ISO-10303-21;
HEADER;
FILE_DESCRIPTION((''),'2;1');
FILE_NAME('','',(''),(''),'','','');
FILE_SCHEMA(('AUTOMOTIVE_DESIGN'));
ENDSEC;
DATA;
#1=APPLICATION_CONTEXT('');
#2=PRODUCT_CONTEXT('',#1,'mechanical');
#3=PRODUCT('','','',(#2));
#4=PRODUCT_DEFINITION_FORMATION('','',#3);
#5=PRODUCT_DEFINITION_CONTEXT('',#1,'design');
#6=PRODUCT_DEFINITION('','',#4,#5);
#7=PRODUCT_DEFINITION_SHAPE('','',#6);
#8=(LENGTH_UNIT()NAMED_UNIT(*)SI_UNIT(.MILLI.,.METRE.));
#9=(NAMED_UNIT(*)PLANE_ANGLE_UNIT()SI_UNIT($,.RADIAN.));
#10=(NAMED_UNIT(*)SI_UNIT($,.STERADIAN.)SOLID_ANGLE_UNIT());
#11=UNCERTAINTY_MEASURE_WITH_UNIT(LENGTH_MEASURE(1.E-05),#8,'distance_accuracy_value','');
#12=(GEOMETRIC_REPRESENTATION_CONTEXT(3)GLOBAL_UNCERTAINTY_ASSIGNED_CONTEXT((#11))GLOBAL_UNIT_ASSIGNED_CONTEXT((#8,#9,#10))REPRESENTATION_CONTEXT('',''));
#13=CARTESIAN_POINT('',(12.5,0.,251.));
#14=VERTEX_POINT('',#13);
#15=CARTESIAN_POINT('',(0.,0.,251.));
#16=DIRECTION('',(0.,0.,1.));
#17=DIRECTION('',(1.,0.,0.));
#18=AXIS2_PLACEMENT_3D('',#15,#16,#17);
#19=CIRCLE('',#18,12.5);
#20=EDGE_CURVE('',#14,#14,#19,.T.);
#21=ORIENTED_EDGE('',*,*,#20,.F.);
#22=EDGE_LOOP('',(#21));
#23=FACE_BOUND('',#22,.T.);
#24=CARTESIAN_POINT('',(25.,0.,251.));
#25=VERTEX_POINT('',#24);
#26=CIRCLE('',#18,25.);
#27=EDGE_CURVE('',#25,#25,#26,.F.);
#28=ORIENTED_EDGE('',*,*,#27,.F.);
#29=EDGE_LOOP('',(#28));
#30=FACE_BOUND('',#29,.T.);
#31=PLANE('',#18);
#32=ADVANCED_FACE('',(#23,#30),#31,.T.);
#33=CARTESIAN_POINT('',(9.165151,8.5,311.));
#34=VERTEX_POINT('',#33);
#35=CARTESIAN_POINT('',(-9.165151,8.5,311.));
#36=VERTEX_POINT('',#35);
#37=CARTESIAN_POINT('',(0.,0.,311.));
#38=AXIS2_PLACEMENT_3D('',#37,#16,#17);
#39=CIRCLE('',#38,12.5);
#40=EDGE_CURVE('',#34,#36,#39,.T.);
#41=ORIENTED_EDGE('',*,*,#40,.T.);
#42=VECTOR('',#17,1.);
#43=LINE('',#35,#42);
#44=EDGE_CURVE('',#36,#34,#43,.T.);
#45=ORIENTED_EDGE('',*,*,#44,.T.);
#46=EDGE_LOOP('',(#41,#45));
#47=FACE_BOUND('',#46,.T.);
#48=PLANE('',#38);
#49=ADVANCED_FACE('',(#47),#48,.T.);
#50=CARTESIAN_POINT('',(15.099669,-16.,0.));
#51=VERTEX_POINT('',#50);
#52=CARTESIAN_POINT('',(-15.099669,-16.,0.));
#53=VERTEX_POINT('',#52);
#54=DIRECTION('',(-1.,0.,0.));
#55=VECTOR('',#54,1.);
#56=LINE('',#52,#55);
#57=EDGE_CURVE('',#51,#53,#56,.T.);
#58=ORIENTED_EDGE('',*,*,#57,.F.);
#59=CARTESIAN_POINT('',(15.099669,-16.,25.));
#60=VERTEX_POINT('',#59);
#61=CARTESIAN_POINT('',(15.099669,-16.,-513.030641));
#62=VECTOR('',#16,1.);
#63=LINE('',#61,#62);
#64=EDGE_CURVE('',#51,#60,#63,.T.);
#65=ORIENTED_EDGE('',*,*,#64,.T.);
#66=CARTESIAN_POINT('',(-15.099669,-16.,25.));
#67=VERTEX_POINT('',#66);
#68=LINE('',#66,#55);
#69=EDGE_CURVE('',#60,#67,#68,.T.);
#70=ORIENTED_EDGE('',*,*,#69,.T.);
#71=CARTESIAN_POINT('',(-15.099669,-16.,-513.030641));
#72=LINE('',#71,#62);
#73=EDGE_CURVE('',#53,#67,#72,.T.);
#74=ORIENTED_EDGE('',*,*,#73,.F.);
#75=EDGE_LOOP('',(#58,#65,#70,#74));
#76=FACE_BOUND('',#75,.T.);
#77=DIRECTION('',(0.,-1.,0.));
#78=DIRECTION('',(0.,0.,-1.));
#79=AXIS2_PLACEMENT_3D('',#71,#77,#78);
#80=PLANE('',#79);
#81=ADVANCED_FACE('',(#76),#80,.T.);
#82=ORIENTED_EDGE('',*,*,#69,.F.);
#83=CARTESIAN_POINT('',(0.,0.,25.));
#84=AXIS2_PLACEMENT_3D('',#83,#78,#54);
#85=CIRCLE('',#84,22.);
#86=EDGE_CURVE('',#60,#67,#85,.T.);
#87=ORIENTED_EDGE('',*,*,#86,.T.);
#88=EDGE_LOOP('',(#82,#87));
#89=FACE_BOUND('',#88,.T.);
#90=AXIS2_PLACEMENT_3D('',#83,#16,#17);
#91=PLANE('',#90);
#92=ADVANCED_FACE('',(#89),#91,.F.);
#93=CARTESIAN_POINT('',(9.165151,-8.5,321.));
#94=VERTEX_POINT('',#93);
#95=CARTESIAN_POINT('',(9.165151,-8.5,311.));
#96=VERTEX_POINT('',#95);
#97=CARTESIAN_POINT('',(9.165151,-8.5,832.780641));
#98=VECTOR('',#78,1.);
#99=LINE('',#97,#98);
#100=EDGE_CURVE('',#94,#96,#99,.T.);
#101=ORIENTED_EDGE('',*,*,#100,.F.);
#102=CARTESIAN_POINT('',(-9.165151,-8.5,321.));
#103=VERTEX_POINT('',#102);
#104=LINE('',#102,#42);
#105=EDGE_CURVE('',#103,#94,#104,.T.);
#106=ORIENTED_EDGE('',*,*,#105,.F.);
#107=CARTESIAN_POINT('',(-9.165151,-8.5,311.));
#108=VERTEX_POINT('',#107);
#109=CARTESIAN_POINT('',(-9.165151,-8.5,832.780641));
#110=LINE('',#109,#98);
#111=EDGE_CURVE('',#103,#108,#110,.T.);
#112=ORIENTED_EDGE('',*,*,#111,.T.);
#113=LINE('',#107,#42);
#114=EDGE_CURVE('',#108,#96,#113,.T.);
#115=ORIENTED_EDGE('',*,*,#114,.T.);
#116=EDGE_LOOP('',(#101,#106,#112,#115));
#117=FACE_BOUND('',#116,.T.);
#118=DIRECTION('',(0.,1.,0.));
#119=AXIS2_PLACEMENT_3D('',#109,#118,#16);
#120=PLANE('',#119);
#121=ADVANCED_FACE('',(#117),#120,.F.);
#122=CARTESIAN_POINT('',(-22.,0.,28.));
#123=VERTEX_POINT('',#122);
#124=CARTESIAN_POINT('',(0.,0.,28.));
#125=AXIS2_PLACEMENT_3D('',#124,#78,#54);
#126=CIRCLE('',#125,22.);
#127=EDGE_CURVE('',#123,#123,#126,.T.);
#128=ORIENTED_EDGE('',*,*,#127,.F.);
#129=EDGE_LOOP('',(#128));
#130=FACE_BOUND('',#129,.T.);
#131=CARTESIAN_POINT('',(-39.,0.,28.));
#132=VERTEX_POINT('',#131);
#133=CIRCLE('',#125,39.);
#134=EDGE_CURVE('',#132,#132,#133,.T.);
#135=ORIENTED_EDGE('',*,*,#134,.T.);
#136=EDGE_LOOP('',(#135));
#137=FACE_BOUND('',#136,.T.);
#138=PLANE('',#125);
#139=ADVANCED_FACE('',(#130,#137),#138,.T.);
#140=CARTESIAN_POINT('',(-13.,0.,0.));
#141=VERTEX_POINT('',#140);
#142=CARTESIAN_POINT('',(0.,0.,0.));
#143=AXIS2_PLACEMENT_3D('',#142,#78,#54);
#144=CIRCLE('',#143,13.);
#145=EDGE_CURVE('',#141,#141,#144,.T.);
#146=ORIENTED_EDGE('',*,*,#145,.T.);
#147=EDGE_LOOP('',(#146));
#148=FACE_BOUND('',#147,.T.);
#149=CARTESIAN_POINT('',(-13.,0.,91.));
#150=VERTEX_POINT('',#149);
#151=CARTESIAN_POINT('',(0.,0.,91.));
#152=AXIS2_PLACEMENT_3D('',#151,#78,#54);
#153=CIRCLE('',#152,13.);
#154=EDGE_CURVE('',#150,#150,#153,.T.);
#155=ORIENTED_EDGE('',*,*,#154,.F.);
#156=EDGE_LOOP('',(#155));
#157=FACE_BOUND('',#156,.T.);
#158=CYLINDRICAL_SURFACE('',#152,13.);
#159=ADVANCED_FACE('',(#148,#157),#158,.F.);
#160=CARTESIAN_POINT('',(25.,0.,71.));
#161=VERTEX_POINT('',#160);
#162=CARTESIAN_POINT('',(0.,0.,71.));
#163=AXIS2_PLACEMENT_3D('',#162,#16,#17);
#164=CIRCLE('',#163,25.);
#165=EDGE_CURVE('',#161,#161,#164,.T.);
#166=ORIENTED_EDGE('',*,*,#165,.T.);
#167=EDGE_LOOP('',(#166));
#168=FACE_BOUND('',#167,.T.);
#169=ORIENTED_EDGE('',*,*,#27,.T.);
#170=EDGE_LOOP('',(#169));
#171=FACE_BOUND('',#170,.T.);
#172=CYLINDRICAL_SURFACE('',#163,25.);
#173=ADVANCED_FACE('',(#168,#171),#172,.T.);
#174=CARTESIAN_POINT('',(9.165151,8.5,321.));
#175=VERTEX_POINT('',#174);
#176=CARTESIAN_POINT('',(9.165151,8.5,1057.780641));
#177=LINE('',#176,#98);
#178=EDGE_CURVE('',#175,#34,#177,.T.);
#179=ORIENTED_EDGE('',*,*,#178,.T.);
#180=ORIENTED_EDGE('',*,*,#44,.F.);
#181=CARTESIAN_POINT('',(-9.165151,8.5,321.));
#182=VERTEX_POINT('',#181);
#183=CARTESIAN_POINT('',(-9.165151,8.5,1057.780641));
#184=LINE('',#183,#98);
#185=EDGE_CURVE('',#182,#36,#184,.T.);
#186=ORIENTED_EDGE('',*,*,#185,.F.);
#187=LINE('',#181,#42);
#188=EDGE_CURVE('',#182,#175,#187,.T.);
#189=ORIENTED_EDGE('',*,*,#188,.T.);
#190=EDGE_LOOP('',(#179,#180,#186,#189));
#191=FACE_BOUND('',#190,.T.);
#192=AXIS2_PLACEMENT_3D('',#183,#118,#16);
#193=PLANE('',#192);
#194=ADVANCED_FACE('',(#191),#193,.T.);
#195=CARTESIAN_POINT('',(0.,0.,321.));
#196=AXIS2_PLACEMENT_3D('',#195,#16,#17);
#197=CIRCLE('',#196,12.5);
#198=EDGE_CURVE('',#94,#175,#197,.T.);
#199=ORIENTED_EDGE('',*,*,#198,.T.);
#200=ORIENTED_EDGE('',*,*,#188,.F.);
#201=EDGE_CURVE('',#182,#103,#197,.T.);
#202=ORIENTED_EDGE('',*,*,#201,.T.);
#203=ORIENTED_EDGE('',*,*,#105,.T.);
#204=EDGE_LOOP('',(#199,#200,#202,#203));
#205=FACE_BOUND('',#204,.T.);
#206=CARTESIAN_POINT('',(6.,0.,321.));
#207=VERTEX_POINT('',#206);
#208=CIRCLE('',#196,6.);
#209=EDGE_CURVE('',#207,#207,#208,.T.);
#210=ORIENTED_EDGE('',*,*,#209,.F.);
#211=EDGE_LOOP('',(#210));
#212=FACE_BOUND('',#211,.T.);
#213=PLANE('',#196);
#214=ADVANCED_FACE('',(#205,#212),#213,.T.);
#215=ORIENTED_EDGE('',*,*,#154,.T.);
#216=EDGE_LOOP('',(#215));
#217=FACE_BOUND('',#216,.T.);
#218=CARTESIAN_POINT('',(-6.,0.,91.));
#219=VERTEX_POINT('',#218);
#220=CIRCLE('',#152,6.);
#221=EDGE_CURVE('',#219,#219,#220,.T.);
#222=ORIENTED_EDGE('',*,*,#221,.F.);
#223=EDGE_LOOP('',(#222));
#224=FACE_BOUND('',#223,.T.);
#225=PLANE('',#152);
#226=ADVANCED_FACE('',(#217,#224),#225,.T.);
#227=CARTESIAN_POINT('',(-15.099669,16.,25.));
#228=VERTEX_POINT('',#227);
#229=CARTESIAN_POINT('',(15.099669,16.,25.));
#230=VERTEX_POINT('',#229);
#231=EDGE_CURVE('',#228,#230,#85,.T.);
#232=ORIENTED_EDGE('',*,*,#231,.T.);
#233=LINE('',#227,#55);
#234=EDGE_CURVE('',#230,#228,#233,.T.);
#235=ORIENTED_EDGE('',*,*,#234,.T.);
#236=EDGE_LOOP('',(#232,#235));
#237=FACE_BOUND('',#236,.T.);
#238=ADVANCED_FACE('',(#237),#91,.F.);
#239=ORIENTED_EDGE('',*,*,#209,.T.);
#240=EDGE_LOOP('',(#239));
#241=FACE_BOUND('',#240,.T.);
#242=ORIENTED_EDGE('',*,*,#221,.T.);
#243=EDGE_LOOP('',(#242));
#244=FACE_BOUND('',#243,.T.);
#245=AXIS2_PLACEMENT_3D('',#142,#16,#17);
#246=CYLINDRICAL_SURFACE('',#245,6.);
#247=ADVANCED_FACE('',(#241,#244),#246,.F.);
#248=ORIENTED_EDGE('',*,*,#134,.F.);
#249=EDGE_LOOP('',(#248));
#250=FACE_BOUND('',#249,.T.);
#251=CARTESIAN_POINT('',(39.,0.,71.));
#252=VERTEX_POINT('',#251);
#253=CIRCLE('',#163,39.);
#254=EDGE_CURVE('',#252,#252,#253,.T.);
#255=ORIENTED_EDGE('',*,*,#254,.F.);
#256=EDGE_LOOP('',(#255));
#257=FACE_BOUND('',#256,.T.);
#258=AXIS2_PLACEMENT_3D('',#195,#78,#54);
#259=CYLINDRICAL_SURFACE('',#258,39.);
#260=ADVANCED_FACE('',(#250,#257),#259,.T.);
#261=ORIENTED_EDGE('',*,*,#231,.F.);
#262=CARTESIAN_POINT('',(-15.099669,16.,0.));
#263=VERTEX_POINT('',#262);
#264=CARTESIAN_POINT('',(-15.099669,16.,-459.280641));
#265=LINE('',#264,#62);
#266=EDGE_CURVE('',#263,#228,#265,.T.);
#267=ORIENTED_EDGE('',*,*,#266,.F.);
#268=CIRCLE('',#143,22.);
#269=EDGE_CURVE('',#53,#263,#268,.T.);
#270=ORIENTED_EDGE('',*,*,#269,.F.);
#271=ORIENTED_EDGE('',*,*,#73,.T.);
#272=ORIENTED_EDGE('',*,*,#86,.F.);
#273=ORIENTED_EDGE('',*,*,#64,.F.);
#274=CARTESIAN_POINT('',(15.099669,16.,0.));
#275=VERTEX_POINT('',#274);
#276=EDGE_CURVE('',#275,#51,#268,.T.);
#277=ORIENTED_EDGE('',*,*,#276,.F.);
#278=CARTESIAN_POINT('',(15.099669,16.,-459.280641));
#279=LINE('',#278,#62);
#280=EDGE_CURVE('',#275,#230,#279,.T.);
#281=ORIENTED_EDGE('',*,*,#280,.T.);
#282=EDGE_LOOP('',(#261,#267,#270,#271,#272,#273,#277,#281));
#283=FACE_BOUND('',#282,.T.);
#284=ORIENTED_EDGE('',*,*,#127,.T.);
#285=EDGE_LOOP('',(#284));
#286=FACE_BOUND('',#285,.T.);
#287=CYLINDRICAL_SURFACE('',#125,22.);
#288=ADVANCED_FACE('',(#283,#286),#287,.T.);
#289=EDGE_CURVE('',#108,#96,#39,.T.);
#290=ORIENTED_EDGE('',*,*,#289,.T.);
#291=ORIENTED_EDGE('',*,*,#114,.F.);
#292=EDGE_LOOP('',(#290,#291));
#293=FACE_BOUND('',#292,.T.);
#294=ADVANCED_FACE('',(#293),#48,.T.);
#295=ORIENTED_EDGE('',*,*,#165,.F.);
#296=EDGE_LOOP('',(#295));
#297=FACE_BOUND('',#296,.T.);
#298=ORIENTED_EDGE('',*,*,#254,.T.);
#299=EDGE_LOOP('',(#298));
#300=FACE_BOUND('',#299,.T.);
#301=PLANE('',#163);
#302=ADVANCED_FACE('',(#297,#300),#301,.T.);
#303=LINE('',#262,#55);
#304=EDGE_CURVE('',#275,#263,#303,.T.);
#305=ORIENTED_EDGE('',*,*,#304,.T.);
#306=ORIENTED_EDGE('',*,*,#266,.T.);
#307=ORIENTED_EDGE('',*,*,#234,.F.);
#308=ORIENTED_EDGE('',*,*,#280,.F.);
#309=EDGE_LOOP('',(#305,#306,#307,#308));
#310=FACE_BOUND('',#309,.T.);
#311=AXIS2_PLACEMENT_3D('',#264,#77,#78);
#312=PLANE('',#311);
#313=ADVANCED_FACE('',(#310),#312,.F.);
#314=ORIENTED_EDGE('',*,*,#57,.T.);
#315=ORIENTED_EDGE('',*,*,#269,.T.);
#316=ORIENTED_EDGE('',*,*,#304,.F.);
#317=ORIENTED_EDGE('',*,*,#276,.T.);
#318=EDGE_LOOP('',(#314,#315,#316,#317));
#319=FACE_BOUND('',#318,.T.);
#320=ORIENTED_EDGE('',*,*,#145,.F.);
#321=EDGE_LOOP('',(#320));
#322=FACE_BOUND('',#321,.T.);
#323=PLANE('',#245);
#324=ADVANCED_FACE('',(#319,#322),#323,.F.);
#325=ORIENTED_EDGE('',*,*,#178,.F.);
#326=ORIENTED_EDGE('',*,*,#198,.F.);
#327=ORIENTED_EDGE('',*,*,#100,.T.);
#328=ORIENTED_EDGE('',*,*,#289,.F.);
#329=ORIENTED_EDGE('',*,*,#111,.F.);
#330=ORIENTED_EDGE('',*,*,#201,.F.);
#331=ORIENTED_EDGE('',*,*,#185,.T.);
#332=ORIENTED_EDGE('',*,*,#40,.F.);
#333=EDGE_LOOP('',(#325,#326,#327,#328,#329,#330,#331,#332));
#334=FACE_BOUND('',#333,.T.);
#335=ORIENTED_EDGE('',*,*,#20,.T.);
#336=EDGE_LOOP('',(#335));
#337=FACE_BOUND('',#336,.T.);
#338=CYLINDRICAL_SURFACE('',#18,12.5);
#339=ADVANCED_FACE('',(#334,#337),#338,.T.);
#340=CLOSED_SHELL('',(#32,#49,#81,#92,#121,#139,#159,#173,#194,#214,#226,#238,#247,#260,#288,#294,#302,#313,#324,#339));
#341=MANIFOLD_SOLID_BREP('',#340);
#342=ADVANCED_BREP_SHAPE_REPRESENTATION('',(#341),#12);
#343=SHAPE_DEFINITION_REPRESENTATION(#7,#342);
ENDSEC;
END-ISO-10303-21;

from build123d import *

# Parameters (mm, degrees)
SKETCH1_R               = 39
BOSS_EXTRUDE1_DEPTH     = 321
SKETCH2_OUTSIDE_W       = 147.884
SKETCH2_OUTSIDE_H       = 147.884
SKETCH2_OUTSIDE_R       = 25
CUT_EXTRUDE1_DEPTH      = 250
SKETCH3_OUTSIDE_W       = 147.884
SKETCH3_OUTSIDE_H       = 147.884
SKETCH3_OUTSIDE_R       = 22
CUT_EXTRUDE2_DEPTH      = 28
SKETCH4_R               = 13
CUT_EXTRUDE3_DEPTH      = 91
CUT_EXTRUDE4_DEPTH      = 326.703853216
CUT_EXTRUDE4_DEPTH_BACK = 25
CUT_EXTRUDE5_DEPTH      = 326.703853216
CUT_EXTRUDE5_DEPTH_BACK = 25
SKETCH7_OUTSIDE_W       = 147.884
SKETCH7_OUTSIDE_H       = 147.884
SKETCH7_OUTSIDE_R       = 12.5
CUT_EXTRUDE6_DEPTH      = 70
CUT_EXTRUDE7_DEPTH      = 326.703853216
CUT_EXTRUDE7_DEPTH_BACK = 10
CUT_EXTRUDE8_DEPTH      = 326.703853216
CUT_EXTRUDE8_DEPTH_BACK = 10
SKETCH10_R              = 6
CUT_EXTRUDE9_DEPTH      = 326.703853216


with BuildPart() as part:
    # Sketch1 → Boss-Extrude1 (new body)
    with BuildSketch(Plane.XY):
        Circle(SKETCH1_R)
    extrude(amount=BOSS_EXTRUDE1_DEPTH)

    # Sketch2 outside → Cut-Extrude1 (cut)
    with BuildSketch(Plane.XY.offset(321)):
        Rectangle(SKETCH2_OUTSIDE_W, SKETCH2_OUTSIDE_H)
        Circle(SKETCH2_OUTSIDE_R, mode=Mode.SUBTRACT)
    extrude(amount=-CUT_EXTRUDE1_DEPTH, mode=Mode.SUBTRACT)

    # Sketch3 outside → Cut-Extrude2 (cut)
    with BuildSketch(Plane(origin=(0, 0, 0), x_dir=(-1, 0, 0), z_dir=(0, 0, -1))):
        Rectangle(SKETCH3_OUTSIDE_W, SKETCH3_OUTSIDE_H)
        Circle(SKETCH3_OUTSIDE_R, mode=Mode.SUBTRACT)
    extrude(amount=-CUT_EXTRUDE2_DEPTH, mode=Mode.SUBTRACT)

    # Sketch4 → Cut-Extrude3 (cut)
    with BuildSketch(Plane(origin=(0, 0, 0), x_dir=(-1, 0, 0), z_dir=(0, 0, -1))):
        Circle(SKETCH4_R)
    extrude(amount=-CUT_EXTRUDE3_DEPTH, mode=Mode.SUBTRACT)

    # Sketch5 → Cut-Extrude4 (cut, two sides: drawn at the far end of the back side and taken through both)
    with BuildSketch(Plane(origin=(0, 0, 0), x_dir=(-1, 0, 0), z_dir=(0, 0, -1)).offset(-CUT_EXTRUDE4_DEPTH_BACK)):
        Polygon((179.395153858, -16), (15.099668871, -16), (-15.099668871, -16), (-179.395153858, -16), (-179.395153858, -344.590969976), (179.395153858, -344.590969976), align=None)
    extrude(amount=CUT_EXTRUDE4_DEPTH + CUT_EXTRUDE4_DEPTH_BACK, mode=Mode.SUBTRACT)

    # Sketch6 → Cut-Extrude5 (cut, two sides: drawn at the far end of the back side and taken through both)
    with BuildSketch(Plane(origin=(0, 0, 0), x_dir=(-1, 0, 0), z_dir=(0, 0, -1)).offset(-CUT_EXTRUDE5_DEPTH_BACK)):
        Polygon((179.395153858, 16), (15.099668871, 16), (-15.099668871, 16), (-179.395153858, 16), (-179.395153858, 344.590969976), (179.395153858, 344.590969976), align=None)
    extrude(amount=CUT_EXTRUDE5_DEPTH + CUT_EXTRUDE5_DEPTH_BACK, mode=Mode.SUBTRACT)

    # Sketch7 outside → Cut-Extrude6 (cut)
    with BuildSketch(Plane.XY.offset(321)):
        Rectangle(SKETCH7_OUTSIDE_W, SKETCH7_OUTSIDE_H)
        Circle(SKETCH7_OUTSIDE_R, mode=Mode.SUBTRACT)
    extrude(amount=-CUT_EXTRUDE6_DEPTH, mode=Mode.SUBTRACT)

    # Sketch8 → Cut-Extrude7 (cut, two sides: drawn at the far end of the back side and taken through both)
    with BuildSketch(Plane.XY.offset(321).offset(-CUT_EXTRUDE7_DEPTH_BACK)):
        Polygon((-154.459376077, 8.5), (-9.16515139, 8.5), (9.16515139, 8.5), (154.459376077, 8.5), (154.459376077, 299.088449374), (-154.459376077, 299.088449374), align=None)
    extrude(amount=CUT_EXTRUDE7_DEPTH + CUT_EXTRUDE7_DEPTH_BACK, mode=Mode.SUBTRACT)

    # Sketch9 → Cut-Extrude8 (cut, two sides: drawn at the far end of the back side and taken through both)
    with BuildSketch(Plane.XY.offset(321).offset(-CUT_EXTRUDE8_DEPTH_BACK)):
        Polygon((-154.459376077, -8.5), (-9.16515139, -8.5), (9.16515139, -8.5), (154.459376077, -8.5), (154.459376077, -299.088449374), (-154.459376077, -299.088449374), align=None)
    extrude(amount=CUT_EXTRUDE8_DEPTH + CUT_EXTRUDE8_DEPTH_BACK, mode=Mode.SUBTRACT)

    # Sketch10 → Cut-Extrude9 (cut, through all)
    with BuildSketch(Plane.XY.offset(321)):
        Circle(SKETCH10_R)
    extrude(amount=-CUT_EXTRUDE9_DEPTH, mode=Mode.SUBTRACT)


solid = part.part
